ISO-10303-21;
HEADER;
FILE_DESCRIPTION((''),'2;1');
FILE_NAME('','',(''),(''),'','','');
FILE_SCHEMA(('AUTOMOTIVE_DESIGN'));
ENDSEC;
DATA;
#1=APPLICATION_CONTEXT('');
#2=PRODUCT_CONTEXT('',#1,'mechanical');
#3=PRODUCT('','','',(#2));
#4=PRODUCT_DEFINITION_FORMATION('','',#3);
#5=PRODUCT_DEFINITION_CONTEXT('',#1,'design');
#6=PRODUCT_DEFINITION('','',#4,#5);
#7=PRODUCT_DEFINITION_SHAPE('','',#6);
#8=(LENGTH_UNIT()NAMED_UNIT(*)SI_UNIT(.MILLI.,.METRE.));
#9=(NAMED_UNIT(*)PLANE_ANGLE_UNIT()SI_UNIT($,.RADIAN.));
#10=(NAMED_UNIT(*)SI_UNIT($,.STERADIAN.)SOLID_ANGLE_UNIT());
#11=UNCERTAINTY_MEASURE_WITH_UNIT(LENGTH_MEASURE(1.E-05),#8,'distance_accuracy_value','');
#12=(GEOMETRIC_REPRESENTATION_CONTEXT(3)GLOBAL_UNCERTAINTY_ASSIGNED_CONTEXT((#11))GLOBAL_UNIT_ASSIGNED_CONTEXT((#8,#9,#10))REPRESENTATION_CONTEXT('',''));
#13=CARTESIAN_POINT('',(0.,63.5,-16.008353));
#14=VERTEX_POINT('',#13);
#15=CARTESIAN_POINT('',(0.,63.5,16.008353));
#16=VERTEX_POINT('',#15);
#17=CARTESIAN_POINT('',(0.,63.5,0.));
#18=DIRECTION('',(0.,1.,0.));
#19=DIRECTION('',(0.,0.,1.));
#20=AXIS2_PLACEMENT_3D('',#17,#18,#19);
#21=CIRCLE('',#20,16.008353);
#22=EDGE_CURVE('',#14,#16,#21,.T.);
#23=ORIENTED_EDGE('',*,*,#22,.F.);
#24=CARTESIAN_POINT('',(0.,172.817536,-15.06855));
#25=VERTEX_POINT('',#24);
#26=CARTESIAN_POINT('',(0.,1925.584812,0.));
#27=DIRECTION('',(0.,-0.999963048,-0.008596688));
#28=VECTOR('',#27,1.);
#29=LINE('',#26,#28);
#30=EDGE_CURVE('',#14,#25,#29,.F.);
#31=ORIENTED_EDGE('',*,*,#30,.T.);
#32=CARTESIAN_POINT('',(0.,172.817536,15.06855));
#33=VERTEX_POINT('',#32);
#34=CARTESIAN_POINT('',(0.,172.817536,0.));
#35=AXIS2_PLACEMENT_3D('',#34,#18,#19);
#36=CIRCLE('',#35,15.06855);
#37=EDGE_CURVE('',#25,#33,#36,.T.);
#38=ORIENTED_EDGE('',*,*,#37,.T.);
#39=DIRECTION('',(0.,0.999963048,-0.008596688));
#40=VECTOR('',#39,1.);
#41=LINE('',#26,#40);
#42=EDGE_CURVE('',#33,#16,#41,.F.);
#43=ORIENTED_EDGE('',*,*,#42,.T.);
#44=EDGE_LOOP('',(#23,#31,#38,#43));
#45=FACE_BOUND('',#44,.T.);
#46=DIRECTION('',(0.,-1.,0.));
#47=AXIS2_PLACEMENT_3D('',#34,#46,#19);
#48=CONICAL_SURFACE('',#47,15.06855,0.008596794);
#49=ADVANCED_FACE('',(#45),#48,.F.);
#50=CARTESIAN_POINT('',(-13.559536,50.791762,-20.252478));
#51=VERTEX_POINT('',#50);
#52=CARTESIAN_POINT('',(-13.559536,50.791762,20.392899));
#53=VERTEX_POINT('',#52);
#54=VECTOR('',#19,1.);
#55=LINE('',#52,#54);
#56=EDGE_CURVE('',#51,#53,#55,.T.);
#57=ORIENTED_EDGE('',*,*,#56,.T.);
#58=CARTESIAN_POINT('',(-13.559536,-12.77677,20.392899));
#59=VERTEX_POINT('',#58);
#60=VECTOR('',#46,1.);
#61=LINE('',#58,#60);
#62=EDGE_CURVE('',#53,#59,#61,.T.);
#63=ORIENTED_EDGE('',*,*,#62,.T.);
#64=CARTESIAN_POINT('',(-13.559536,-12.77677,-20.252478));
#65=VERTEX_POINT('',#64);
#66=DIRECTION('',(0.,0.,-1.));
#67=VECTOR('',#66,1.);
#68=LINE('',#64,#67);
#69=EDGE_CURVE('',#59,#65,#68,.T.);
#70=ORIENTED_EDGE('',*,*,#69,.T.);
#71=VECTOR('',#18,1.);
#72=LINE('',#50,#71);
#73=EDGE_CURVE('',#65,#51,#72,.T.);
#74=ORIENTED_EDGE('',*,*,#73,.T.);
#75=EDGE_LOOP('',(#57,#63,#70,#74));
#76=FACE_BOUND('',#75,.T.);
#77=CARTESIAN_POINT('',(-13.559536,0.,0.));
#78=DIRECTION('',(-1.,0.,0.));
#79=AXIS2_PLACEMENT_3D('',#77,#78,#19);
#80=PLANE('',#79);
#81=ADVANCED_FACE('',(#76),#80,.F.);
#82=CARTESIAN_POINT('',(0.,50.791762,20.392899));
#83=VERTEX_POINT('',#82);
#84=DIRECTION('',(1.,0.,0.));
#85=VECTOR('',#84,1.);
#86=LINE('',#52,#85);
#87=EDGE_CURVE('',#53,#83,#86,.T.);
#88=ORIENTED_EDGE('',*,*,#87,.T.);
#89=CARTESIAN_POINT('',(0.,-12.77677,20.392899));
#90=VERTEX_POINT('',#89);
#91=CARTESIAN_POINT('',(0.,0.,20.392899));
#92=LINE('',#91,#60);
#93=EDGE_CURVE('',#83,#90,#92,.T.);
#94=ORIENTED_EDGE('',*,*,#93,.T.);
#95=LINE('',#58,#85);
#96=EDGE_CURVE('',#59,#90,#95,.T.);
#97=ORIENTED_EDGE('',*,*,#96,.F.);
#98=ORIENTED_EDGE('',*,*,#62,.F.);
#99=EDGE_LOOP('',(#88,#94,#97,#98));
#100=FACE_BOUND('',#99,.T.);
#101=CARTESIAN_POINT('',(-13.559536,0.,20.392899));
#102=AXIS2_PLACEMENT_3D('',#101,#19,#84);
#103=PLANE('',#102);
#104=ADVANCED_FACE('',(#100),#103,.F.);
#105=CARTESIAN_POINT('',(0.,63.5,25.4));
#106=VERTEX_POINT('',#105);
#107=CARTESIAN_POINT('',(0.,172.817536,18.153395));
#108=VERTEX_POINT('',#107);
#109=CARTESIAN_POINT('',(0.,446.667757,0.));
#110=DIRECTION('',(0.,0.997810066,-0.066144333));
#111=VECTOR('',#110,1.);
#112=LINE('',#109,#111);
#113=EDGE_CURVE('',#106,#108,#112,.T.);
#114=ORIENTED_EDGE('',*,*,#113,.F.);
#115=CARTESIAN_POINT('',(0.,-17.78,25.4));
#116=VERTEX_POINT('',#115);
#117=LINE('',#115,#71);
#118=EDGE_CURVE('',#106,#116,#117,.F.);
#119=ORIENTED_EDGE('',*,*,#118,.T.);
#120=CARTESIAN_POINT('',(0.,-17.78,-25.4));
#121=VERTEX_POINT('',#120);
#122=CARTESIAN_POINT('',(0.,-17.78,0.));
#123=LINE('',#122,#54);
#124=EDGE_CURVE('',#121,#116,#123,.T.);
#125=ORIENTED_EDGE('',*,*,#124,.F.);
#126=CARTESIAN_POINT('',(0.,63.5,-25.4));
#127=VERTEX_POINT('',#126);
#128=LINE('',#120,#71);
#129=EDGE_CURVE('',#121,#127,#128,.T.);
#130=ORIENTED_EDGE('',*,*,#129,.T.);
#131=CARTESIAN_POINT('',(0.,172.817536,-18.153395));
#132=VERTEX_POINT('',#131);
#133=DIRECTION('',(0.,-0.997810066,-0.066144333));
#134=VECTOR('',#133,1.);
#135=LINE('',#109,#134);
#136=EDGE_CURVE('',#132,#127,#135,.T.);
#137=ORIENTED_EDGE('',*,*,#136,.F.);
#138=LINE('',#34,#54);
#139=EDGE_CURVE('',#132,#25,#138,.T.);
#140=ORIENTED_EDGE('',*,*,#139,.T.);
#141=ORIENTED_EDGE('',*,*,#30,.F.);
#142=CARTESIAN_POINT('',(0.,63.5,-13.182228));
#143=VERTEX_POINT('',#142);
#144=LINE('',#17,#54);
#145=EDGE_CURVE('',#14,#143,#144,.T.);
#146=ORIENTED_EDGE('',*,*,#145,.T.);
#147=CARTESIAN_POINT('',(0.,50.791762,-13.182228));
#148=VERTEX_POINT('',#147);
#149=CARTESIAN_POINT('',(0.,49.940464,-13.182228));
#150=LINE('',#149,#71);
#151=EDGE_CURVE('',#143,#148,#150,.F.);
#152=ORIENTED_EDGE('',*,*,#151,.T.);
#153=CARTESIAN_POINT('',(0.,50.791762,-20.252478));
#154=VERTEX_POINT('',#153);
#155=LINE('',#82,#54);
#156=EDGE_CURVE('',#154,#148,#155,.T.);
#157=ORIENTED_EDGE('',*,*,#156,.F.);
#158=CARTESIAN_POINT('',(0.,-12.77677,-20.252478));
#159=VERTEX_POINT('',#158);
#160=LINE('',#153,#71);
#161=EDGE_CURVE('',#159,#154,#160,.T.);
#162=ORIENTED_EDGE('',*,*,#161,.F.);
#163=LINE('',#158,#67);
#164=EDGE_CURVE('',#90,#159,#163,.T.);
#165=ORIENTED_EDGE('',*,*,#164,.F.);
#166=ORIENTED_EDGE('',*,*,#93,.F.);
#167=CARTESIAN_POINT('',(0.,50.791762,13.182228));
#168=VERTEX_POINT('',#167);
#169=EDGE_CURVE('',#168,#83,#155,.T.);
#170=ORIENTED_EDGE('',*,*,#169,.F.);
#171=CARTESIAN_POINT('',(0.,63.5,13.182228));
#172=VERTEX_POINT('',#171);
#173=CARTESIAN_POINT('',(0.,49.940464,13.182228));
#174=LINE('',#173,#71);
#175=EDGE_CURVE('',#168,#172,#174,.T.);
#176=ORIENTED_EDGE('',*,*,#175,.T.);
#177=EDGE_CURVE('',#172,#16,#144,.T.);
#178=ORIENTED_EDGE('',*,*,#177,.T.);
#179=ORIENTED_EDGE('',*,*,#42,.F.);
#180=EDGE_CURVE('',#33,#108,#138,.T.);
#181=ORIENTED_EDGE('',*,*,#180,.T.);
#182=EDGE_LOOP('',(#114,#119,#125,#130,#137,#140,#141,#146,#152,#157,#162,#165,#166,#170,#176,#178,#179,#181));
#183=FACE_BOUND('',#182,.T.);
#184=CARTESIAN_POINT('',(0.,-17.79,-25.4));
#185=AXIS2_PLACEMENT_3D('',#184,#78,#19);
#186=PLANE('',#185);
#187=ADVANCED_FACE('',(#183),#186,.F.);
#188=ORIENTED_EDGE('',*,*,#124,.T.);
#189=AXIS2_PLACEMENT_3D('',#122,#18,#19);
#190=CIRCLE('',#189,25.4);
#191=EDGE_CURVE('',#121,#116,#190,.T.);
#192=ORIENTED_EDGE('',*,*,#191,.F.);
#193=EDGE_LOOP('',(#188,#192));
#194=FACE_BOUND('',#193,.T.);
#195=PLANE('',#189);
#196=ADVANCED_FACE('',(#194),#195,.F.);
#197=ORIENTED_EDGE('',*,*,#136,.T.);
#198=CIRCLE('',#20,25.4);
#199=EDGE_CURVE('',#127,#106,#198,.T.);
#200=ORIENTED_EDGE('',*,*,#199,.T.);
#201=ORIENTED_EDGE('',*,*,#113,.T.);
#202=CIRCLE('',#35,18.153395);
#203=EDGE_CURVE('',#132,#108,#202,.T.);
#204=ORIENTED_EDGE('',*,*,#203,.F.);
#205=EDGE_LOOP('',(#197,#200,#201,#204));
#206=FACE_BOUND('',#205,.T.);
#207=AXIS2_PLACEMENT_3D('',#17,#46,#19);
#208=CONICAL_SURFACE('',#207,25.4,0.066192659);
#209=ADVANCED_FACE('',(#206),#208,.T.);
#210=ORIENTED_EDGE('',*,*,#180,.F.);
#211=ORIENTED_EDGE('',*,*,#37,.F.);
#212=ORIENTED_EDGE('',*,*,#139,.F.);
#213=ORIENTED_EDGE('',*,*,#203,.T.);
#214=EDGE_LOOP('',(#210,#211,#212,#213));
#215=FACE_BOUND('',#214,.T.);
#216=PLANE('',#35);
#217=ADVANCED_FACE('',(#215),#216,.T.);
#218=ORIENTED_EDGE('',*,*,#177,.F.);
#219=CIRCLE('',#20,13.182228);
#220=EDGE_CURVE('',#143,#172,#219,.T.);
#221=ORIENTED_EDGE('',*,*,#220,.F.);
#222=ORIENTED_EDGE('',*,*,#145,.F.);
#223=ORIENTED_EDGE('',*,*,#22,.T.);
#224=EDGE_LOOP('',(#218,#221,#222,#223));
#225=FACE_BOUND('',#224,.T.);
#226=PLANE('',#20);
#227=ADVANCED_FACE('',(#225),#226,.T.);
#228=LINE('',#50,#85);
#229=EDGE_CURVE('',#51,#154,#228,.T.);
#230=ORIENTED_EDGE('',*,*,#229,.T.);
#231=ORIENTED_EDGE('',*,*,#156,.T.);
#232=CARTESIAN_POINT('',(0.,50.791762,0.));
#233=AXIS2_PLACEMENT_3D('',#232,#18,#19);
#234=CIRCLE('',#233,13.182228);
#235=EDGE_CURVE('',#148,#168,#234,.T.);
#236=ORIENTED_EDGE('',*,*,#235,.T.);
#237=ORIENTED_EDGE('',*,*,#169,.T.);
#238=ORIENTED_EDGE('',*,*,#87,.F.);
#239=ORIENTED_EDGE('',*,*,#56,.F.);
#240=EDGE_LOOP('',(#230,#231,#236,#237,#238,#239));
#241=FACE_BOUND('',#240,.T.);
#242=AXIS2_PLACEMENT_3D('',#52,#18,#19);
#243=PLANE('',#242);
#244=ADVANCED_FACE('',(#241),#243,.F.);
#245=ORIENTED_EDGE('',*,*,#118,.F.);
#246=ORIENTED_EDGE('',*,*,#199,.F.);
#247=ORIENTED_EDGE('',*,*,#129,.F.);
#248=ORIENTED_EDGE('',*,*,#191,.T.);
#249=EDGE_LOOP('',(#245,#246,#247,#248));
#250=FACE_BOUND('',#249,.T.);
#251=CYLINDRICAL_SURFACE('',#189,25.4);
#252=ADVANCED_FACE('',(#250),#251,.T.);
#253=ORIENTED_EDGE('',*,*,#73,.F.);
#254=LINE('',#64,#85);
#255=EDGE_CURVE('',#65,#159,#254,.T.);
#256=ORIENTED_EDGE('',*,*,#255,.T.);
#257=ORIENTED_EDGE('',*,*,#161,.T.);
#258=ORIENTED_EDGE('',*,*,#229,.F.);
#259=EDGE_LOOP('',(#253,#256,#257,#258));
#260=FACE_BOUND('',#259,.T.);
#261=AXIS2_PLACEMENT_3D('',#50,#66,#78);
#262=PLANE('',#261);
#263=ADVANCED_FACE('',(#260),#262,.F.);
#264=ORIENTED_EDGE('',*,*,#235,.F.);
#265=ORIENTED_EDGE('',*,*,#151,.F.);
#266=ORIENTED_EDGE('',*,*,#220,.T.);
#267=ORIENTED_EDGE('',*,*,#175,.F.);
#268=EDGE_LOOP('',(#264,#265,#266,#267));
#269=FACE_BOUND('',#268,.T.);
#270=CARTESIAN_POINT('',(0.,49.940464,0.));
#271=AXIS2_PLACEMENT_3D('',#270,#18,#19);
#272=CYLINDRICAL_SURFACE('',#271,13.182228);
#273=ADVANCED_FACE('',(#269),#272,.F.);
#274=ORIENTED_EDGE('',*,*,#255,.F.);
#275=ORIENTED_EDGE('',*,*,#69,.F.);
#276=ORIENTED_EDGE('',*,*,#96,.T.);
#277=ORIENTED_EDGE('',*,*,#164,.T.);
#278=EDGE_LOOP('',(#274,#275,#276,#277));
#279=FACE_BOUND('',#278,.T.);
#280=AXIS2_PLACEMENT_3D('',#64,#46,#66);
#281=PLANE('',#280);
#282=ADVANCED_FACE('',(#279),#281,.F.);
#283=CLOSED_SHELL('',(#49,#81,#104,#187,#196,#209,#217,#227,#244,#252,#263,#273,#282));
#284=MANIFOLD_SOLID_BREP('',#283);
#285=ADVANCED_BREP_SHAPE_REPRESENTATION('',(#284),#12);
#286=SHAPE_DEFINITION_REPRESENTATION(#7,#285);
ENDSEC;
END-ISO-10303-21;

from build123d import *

# Parameters (mm, degrees)
SKETCH2_R                = 25.4
BOSS_EXTRUDE1_DEPTH      = 63.5
BOSS_EXTRUDE1_DEPTH_BACK = 17.78
SKETCH3_R                = 25.4
BOSS_EXTRUDE2_DEPTH      = 109.317536
BOSS_EXTRUDE2_TAPER      = 3.79256
SKETCH4_R                = 15.06855
CUT_EXTRUDE1_DEPTH       = 109.317536
CUT_EXTRUDE1_DRAFT       = 0.49256
SPLIT6_SURFACE_1_BACK    = 204.688
SPLIT6_SURFACE_1_DEPTH   = 409.376
CUT_EXTRUDE3_DEPTH       = 13.559536
SKETCH8_R                = 13.182228497
CUT_EXTRUDE4_DEPTH       = 13.559536


with BuildPart() as part:
    # Sketch2 → Boss-Extrude1 (new, two sides)
    with BuildSketch(Plane(origin=(0, 0, 0), x_dir=(1, 0, 0), z_dir=(0, 1, 0))) as boss_extrude1_sk:
        with Locations(Location((0, 0, 0), (0, 0, 270))):
            Circle(SKETCH2_R)
    extrude(amount=BOSS_EXTRUDE1_DEPTH)
    extrude(boss_extrude1_sk.sketch, amount=-BOSS_EXTRUDE1_DEPTH_BACK)

    # Sketch3 → Boss-Extrude2 (add)
    with BuildSketch(Plane(origin=(0, 63.5, 0), x_dir=(1, 0, 0), z_dir=(0, 1, 0))):
        with Locations(Location((0, 0, 0), (0, 0, 270))):
            Circle(SKETCH3_R)
    extrude(amount=BOSS_EXTRUDE2_DEPTH, taper=BOSS_EXTRUDE2_TAPER)


with BuildPart() as cut_extrude1_tool:
    # Sketch4 → Cut-Extrude1 (with draft: the straight prism first)
    with BuildSketch(Plane(origin=(0, 172.817536, 0), x_dir=(1, 0, 0), z_dir=(0, 1, 0))):
        Circle(SKETCH4_R)
    extrude(amount=-CUT_EXTRUDE1_DEPTH)
    # Cut-Extrude1: the draft: its side faces are tilted about the plane it starts from
    cut_extrude1_sides = [cut_extrude1_tool.faces().sort_by_distance(p)[0] for p in [
        (-15.06855, 118.158768, 0),
    ]]
    draft(cut_extrude1_sides, Plane(origin=(0, 172.817536, 0), x_dir=(1, 0, 0), z_dir=(0, 1, 0)), CUT_EXTRUDE1_DRAFT)


with BuildPart() as part_1:
    add(part.part)

    # Cut-Extrude1: cut by cut_extrude1_tool
    add(cut_extrude1_tool.part, mode=Mode.SUBTRACT)

    # Split6: cut with a surface, the side behind it stays
    # Split6 surface: a surface, the sketch's curves swept straight by 409.376 mm
    with BuildLine(Plane(origin=(0, 0, 0), x_dir=(1, 0, 0), z_dir=(0, 1, 0)).offset(-SPLIT6_SURFACE_1_BACK), mode=Mode.PRIVATE) as split6_surface_1_path:
        Line((0, 25.4), (0, -25.4))
    split6_surface_1 = Shell.extrude(split6_surface_1_path.wire(), (0 * SPLIT6_SURFACE_1_DEPTH, 1 * SPLIT6_SURFACE_1_DEPTH, 0 * SPLIT6_SURFACE_1_DEPTH))
    split(bisect_by=split6_surface_1, keep=Keep.BOTTOM)

    # Sketch7 → Cut-Extrude3 (cut)
    with BuildSketch(Plane(origin=(0, 0, 0), x_dir=(0, 0, -1), z_dir=(1, 0, 0))):
        Polygon((-20.392899445, 0), (-20.392899445, 50.791761633), (20.25247775, 50.791761633), (20.25247775, -12.77676991), (-20.392899445, -12.77676991), align=None)
    extrude(amount=-CUT_EXTRUDE3_DEPTH, mode=Mode.SUBTRACT)

    # Sketch8 → Cut-Extrude4 (cut)
    with BuildSketch(Plane(origin=(0, 63.5, 0), x_dir=(1, 0, 0), z_dir=(0, 1, 0))):
        Circle(SKETCH8_R)
    extrude(amount=-CUT_EXTRUDE4_DEPTH, mode=Mode.SUBTRACT)


solid = part_1.part
